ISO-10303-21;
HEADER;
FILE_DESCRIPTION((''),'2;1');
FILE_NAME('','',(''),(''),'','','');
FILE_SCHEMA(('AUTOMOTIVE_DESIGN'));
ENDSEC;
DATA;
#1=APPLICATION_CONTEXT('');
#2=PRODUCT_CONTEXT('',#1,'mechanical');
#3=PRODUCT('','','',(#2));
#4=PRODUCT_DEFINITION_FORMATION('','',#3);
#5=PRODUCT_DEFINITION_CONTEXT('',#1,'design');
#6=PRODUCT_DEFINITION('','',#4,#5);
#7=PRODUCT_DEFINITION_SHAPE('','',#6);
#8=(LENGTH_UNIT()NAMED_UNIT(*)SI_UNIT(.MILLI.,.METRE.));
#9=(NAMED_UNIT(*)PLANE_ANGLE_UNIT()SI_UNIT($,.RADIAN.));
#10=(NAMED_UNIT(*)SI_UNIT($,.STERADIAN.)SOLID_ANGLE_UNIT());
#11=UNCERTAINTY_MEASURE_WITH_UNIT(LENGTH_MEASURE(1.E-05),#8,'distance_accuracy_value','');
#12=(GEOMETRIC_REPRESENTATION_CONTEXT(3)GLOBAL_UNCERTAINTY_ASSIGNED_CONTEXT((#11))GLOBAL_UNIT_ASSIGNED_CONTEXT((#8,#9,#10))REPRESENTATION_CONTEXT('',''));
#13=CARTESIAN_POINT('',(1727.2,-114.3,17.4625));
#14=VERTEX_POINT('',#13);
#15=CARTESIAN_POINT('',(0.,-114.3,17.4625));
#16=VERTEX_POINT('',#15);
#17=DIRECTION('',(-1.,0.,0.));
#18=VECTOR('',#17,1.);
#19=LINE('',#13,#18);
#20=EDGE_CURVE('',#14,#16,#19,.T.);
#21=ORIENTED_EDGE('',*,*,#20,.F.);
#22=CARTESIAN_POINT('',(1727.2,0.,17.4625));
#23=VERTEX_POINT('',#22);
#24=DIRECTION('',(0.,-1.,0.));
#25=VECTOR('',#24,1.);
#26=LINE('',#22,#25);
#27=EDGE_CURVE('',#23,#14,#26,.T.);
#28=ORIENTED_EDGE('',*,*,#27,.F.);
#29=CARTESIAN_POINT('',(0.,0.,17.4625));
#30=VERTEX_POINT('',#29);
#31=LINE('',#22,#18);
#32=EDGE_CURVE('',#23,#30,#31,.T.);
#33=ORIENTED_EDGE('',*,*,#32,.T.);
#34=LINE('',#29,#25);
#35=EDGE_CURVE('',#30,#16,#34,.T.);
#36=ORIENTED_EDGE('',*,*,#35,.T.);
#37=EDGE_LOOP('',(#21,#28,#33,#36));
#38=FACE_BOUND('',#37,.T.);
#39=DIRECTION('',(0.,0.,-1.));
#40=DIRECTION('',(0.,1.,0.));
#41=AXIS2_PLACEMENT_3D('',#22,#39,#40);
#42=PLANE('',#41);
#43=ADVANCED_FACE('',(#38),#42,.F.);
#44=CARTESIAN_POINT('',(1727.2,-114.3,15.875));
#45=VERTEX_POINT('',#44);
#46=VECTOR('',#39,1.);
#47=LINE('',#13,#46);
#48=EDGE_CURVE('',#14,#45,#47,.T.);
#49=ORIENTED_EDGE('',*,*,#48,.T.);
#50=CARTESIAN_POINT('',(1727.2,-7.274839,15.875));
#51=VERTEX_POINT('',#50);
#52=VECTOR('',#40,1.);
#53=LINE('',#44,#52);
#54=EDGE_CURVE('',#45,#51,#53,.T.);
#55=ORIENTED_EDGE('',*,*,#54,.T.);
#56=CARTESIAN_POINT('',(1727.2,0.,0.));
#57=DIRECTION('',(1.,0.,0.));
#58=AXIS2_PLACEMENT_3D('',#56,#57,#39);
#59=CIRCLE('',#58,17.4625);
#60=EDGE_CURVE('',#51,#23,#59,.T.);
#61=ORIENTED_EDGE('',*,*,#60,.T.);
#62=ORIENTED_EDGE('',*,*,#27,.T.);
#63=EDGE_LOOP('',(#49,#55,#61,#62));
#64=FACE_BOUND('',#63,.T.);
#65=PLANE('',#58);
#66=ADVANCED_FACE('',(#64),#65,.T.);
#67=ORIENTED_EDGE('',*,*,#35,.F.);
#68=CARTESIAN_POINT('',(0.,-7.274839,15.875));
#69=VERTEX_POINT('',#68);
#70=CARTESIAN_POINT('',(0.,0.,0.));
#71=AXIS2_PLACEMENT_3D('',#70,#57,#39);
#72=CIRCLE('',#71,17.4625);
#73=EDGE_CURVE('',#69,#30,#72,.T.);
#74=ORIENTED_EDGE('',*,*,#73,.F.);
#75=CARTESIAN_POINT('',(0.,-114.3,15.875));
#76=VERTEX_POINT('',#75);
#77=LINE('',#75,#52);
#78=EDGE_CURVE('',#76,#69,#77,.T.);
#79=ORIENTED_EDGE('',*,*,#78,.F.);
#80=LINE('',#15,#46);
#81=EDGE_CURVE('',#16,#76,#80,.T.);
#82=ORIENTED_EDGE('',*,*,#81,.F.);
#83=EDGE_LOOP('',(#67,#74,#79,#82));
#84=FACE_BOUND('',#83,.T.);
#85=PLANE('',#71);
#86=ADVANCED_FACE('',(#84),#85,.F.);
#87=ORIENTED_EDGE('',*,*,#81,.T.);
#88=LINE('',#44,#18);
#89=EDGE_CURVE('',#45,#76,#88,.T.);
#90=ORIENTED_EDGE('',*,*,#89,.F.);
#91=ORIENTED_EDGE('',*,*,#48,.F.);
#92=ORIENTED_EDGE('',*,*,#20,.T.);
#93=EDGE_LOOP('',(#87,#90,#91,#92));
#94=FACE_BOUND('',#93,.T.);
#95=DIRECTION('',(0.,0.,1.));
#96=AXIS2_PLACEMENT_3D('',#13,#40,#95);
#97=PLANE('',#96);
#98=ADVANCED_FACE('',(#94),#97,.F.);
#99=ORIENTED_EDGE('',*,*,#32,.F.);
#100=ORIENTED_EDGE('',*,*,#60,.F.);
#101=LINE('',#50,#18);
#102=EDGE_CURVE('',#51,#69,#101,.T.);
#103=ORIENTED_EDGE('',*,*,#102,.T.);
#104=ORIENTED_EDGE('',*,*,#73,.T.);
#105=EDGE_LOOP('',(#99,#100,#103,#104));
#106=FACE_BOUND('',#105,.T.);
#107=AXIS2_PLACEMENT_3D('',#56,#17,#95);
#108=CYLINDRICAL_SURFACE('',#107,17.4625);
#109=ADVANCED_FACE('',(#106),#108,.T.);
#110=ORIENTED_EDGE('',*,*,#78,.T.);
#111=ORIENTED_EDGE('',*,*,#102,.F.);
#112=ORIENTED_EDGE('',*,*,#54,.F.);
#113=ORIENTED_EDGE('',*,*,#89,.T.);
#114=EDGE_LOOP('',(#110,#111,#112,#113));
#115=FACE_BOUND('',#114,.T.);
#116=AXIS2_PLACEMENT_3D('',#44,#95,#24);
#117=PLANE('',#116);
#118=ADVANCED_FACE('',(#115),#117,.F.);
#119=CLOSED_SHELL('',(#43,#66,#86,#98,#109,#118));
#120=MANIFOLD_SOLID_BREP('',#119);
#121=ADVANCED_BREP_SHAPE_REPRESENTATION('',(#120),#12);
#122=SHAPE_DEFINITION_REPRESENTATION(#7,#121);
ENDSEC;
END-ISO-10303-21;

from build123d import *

# Parameters (mm, degrees)
BOSS_EXTRUDE1_DEPTH = 1727.2


with BuildPart() as part:
    # Sketch1 → Boss-Extrude1 (new body)
    with BuildSketch(Plane(origin=(0, 0, 0), x_dir=(0, 0, -1), z_dir=(1, 0, 0))):
        with BuildLine():
            Line((-17.4625, 0), (-17.4625, -114.3))
            Line((-17.4625, -114.3), (-15.875, -114.3))
            Line((-15.875, -114.3), (-15.875, -7.274838916))
            ThreePointArc((-15.875, -7.274838916), (17.06100955, 3.723017509), (-17.4625, 0))
        make_face()
    extrude(amount=BOSS_EXTRUDE1_DEPTH)


solid = part.part
